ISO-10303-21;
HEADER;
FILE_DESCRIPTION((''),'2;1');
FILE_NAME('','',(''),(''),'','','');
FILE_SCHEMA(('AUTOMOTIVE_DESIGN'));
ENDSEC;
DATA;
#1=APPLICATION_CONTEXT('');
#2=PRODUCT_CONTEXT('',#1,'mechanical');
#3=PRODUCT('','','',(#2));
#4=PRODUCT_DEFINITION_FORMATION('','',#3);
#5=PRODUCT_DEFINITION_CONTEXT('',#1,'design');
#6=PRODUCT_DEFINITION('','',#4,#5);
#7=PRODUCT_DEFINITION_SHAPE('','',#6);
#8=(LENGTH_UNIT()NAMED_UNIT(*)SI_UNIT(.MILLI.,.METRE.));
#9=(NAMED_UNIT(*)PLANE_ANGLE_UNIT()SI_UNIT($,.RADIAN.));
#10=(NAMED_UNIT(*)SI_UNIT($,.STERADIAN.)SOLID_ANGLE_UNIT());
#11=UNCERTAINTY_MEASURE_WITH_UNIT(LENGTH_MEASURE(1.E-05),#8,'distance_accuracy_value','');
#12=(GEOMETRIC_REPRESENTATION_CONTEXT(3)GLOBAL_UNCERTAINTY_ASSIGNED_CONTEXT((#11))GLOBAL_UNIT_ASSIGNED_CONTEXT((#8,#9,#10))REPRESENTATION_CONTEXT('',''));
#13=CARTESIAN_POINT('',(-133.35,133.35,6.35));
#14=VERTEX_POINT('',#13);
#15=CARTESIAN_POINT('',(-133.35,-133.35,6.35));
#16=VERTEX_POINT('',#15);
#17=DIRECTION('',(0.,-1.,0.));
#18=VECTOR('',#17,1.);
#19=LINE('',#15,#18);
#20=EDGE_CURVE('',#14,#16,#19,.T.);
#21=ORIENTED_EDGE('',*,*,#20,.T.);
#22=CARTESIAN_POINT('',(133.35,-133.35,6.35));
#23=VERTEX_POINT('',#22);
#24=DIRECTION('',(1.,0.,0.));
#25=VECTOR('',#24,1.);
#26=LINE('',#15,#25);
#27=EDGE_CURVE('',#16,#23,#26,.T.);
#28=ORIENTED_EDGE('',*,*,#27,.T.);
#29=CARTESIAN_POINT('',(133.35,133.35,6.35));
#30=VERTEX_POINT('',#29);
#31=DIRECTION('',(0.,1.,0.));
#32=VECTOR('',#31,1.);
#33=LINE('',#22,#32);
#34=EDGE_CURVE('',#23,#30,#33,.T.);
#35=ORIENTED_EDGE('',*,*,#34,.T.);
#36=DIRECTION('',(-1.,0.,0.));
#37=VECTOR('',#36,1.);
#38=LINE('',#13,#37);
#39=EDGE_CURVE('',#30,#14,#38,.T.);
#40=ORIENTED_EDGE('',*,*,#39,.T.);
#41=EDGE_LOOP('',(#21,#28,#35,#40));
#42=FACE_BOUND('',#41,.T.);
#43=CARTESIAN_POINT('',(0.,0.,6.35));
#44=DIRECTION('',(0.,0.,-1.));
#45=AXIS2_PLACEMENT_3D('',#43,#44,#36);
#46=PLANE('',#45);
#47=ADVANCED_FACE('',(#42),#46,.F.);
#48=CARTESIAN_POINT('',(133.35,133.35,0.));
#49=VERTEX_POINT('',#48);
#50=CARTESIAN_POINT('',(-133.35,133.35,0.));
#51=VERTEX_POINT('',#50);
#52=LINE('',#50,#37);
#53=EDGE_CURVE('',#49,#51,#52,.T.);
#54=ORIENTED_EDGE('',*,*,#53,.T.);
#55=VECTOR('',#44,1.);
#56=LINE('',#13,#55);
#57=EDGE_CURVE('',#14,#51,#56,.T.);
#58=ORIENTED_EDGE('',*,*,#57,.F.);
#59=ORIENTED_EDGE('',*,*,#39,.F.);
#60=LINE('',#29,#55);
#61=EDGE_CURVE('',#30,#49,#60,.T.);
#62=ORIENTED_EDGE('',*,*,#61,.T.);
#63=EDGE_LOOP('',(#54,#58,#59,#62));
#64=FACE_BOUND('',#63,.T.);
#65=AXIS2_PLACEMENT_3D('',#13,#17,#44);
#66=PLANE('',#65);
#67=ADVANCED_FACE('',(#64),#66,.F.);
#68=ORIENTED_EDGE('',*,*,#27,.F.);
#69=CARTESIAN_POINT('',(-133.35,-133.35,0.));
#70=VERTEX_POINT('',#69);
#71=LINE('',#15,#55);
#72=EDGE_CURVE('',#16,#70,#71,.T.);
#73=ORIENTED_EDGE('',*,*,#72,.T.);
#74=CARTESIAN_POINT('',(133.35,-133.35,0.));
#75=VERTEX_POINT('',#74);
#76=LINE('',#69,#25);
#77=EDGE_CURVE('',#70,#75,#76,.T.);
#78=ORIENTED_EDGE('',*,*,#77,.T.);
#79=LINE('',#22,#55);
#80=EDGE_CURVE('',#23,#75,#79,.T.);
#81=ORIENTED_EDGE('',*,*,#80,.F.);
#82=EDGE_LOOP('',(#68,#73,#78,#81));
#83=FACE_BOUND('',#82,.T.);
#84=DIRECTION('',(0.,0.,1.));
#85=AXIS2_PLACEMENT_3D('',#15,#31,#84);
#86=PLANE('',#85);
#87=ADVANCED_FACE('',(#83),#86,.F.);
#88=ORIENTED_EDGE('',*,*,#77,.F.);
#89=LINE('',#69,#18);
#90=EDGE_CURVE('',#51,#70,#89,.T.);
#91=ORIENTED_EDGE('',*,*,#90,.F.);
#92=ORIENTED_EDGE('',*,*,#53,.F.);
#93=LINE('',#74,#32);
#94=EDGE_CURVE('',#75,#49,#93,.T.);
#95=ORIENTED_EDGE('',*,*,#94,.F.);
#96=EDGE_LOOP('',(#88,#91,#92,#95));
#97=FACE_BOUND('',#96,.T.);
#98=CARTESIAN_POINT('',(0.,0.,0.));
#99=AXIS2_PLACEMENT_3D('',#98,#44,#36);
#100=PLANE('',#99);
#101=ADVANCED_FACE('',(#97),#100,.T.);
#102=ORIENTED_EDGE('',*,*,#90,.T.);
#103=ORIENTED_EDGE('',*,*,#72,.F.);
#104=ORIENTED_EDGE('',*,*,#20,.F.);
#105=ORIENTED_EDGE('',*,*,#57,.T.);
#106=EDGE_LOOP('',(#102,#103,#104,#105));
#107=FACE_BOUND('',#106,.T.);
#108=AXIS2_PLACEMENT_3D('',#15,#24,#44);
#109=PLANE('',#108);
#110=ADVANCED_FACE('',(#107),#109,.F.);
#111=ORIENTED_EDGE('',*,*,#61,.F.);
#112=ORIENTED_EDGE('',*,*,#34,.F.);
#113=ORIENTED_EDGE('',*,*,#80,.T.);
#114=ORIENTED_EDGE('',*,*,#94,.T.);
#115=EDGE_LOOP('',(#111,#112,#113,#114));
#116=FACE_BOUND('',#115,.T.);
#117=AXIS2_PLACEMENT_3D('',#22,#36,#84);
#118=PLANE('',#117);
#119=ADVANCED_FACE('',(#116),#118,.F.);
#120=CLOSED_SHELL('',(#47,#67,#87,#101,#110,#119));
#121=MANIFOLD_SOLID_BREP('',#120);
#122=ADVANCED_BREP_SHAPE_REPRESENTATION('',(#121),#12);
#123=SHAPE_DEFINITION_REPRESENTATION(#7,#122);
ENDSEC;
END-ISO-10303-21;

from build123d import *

# Parameters (mm, degrees)
SKETCH1_W           = 266.7
SKETCH1_H           = 266.7
BOSS_EXTRUDE1_DEPTH = 6.35


with BuildPart() as part:
    # Sketch1 → Boss-Extrude1 (new body)
    with BuildSketch(Plane.XY):
        Rectangle(SKETCH1_W, SKETCH1_H)
    extrude(amount=BOSS_EXTRUDE1_DEPTH)


solid = part.part
